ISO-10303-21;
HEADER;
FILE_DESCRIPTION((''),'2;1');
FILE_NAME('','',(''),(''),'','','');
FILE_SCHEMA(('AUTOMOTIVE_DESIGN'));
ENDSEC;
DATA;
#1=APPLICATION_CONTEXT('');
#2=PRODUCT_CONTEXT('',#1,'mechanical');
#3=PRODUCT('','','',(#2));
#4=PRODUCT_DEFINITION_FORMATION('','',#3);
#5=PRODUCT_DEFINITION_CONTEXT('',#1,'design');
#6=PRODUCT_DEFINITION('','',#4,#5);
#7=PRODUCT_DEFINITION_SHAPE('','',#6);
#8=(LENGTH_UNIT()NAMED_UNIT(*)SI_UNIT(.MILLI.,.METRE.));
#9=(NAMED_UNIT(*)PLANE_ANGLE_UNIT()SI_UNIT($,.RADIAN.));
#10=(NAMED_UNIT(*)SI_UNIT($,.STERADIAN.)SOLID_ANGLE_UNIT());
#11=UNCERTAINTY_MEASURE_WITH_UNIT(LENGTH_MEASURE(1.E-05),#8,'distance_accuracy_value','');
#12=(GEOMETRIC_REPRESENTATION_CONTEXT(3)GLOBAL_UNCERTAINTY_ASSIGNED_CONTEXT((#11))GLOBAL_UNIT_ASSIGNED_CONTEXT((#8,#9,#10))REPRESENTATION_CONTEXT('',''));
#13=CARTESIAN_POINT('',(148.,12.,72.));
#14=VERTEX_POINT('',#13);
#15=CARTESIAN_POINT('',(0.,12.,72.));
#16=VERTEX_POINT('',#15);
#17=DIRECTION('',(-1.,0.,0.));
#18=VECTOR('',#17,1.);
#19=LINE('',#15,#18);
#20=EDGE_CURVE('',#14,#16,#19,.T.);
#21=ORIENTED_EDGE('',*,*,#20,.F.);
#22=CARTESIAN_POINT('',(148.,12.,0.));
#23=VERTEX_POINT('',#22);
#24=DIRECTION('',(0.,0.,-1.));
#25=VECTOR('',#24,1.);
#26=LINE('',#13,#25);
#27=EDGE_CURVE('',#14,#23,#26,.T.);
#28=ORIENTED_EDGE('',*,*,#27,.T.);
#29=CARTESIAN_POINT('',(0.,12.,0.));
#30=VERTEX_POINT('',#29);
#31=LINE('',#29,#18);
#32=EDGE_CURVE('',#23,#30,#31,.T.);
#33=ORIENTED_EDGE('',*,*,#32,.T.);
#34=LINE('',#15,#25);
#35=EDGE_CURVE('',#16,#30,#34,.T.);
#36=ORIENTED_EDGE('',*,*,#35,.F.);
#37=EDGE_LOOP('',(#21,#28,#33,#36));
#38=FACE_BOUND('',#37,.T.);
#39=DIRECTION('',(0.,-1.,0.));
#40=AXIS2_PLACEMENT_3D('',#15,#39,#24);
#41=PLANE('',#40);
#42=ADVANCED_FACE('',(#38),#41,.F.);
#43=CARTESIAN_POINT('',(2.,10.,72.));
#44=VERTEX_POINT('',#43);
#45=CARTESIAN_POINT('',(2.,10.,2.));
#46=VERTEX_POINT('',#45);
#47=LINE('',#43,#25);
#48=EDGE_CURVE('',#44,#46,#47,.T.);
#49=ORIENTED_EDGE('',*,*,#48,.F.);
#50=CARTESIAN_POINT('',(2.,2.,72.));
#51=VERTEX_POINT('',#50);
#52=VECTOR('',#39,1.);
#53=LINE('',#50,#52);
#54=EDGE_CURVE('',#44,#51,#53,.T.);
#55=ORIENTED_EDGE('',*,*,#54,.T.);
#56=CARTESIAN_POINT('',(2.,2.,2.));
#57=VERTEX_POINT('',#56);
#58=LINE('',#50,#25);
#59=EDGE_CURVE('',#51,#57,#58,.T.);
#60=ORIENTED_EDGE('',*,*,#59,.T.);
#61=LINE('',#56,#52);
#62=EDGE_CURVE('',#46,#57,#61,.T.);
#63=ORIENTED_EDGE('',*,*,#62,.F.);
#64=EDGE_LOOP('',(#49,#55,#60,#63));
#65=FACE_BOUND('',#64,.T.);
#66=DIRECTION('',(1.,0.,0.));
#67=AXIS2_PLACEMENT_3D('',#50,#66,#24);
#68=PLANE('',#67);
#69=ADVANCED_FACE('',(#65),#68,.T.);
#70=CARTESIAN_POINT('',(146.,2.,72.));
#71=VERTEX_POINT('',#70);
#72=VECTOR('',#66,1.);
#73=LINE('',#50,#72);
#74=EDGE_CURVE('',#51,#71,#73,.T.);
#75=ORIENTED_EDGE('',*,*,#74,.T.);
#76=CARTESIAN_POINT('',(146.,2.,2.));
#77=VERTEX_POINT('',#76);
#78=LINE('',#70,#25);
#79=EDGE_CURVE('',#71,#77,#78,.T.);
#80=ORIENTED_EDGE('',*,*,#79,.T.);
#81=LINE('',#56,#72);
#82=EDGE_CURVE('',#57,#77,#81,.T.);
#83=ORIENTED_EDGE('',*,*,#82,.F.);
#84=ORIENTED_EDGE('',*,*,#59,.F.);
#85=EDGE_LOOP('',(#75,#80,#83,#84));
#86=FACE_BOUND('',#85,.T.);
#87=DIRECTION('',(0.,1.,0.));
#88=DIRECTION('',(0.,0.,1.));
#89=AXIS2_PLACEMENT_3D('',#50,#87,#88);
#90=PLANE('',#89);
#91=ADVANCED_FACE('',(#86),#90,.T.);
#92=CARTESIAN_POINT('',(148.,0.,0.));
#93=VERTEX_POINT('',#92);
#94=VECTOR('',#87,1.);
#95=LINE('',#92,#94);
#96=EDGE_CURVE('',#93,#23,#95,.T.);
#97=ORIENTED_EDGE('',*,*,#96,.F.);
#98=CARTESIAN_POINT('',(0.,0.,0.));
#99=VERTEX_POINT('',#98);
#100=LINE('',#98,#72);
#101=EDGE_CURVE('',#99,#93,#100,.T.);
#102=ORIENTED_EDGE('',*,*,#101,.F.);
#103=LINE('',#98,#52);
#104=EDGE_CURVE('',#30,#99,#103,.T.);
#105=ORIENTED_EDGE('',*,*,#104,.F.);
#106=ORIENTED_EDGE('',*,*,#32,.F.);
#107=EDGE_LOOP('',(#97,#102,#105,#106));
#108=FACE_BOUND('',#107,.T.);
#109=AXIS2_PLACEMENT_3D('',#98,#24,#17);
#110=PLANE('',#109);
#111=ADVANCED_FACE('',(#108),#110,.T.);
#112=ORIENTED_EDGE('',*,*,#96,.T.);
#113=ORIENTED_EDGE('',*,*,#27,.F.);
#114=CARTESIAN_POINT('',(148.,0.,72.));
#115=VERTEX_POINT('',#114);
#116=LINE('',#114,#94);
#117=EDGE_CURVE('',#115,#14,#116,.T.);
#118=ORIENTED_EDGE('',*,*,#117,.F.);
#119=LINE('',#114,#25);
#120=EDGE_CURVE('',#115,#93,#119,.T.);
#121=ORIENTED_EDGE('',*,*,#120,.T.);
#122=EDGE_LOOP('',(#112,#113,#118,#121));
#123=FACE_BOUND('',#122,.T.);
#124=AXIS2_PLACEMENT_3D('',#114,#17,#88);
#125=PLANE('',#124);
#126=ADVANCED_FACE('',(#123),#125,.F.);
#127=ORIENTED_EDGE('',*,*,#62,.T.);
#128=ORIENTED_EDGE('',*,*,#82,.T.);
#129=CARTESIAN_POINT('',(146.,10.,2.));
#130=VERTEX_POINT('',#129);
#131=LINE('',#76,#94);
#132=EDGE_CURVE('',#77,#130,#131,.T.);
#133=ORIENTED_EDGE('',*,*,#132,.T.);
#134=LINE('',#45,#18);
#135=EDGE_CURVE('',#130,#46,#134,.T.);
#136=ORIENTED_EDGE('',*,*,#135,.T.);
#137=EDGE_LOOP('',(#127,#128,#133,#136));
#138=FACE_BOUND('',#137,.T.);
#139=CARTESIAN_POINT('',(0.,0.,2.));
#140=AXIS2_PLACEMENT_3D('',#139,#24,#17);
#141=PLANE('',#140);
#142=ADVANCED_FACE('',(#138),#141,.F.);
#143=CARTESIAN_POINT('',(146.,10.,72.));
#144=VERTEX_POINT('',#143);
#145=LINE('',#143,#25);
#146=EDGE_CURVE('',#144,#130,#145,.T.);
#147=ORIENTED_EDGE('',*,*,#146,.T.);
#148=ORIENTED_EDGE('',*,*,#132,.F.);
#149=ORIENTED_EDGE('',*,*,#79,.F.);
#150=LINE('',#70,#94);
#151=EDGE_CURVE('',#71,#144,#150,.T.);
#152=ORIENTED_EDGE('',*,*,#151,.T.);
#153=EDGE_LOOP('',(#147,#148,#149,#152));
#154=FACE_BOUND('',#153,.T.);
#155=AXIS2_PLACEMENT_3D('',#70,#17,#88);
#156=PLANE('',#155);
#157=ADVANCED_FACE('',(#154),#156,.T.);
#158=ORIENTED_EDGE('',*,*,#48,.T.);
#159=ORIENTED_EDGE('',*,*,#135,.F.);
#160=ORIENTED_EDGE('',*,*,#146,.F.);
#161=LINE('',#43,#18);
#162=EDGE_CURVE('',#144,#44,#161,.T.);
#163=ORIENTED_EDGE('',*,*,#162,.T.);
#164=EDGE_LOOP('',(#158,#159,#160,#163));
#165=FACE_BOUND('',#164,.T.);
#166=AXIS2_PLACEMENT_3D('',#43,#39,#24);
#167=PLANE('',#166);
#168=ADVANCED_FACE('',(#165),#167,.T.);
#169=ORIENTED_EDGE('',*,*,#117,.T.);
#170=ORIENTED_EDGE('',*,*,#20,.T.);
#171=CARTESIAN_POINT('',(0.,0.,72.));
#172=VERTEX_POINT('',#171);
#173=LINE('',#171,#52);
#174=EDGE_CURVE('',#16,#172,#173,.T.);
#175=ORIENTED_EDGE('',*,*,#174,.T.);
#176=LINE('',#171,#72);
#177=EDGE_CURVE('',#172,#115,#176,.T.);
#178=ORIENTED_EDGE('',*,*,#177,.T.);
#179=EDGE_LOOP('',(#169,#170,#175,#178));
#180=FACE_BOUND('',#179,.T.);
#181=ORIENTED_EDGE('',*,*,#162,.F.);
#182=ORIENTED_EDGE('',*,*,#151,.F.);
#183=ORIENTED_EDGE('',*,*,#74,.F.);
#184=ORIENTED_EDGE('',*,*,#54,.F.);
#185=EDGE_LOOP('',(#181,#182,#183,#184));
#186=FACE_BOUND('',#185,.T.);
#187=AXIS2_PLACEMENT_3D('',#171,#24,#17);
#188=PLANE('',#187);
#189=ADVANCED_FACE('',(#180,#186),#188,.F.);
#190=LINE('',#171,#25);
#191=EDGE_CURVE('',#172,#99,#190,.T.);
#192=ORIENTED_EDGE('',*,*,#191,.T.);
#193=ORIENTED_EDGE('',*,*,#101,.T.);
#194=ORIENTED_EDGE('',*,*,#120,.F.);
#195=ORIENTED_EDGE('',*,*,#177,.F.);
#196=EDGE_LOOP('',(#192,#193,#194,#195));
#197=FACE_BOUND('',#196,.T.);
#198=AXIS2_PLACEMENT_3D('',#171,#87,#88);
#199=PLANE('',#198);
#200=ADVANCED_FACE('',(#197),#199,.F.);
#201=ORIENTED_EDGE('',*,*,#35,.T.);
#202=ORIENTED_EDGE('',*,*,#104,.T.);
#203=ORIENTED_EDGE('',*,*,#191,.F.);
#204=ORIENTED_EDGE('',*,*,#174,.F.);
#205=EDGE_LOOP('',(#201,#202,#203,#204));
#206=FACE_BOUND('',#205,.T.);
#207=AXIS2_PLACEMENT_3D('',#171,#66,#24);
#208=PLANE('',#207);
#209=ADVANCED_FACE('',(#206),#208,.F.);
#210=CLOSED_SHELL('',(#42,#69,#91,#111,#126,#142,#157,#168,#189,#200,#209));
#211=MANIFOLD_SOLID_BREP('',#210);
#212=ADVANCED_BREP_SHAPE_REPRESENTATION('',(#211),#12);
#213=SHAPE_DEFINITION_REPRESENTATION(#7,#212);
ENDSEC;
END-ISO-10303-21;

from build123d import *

# Parameters (mm, degrees)
SKETCH1_W     = 148
SKETCH1_H     = 12
SKETCH1_W_2   = 144
SKETCH1_H_2   = 8
PROFILE_DEPTH = 72
SKETCH2_W     = 144
SKETCH2_H     = 8
BACK_DEPTH    = 2


with BuildPart() as part:
    # Sketch1 → Profile (new body)
    with BuildSketch(Plane.XY):
        with Locations((74, 6)):
            Rectangle(SKETCH1_W, SKETCH1_H)
        with Locations((74, 6)):
            Rectangle(SKETCH1_W_2, SKETCH1_H_2, mode=Mode.SUBTRACT)
    extrude(amount=PROFILE_DEPTH)

    # Sketch2 → Back (add)
    with BuildSketch(Plane.XY):
        with Locations((74, 6)):
            Rectangle(SKETCH2_W, SKETCH2_H)
    extrude(amount=BACK_DEPTH)


solid = part.part
